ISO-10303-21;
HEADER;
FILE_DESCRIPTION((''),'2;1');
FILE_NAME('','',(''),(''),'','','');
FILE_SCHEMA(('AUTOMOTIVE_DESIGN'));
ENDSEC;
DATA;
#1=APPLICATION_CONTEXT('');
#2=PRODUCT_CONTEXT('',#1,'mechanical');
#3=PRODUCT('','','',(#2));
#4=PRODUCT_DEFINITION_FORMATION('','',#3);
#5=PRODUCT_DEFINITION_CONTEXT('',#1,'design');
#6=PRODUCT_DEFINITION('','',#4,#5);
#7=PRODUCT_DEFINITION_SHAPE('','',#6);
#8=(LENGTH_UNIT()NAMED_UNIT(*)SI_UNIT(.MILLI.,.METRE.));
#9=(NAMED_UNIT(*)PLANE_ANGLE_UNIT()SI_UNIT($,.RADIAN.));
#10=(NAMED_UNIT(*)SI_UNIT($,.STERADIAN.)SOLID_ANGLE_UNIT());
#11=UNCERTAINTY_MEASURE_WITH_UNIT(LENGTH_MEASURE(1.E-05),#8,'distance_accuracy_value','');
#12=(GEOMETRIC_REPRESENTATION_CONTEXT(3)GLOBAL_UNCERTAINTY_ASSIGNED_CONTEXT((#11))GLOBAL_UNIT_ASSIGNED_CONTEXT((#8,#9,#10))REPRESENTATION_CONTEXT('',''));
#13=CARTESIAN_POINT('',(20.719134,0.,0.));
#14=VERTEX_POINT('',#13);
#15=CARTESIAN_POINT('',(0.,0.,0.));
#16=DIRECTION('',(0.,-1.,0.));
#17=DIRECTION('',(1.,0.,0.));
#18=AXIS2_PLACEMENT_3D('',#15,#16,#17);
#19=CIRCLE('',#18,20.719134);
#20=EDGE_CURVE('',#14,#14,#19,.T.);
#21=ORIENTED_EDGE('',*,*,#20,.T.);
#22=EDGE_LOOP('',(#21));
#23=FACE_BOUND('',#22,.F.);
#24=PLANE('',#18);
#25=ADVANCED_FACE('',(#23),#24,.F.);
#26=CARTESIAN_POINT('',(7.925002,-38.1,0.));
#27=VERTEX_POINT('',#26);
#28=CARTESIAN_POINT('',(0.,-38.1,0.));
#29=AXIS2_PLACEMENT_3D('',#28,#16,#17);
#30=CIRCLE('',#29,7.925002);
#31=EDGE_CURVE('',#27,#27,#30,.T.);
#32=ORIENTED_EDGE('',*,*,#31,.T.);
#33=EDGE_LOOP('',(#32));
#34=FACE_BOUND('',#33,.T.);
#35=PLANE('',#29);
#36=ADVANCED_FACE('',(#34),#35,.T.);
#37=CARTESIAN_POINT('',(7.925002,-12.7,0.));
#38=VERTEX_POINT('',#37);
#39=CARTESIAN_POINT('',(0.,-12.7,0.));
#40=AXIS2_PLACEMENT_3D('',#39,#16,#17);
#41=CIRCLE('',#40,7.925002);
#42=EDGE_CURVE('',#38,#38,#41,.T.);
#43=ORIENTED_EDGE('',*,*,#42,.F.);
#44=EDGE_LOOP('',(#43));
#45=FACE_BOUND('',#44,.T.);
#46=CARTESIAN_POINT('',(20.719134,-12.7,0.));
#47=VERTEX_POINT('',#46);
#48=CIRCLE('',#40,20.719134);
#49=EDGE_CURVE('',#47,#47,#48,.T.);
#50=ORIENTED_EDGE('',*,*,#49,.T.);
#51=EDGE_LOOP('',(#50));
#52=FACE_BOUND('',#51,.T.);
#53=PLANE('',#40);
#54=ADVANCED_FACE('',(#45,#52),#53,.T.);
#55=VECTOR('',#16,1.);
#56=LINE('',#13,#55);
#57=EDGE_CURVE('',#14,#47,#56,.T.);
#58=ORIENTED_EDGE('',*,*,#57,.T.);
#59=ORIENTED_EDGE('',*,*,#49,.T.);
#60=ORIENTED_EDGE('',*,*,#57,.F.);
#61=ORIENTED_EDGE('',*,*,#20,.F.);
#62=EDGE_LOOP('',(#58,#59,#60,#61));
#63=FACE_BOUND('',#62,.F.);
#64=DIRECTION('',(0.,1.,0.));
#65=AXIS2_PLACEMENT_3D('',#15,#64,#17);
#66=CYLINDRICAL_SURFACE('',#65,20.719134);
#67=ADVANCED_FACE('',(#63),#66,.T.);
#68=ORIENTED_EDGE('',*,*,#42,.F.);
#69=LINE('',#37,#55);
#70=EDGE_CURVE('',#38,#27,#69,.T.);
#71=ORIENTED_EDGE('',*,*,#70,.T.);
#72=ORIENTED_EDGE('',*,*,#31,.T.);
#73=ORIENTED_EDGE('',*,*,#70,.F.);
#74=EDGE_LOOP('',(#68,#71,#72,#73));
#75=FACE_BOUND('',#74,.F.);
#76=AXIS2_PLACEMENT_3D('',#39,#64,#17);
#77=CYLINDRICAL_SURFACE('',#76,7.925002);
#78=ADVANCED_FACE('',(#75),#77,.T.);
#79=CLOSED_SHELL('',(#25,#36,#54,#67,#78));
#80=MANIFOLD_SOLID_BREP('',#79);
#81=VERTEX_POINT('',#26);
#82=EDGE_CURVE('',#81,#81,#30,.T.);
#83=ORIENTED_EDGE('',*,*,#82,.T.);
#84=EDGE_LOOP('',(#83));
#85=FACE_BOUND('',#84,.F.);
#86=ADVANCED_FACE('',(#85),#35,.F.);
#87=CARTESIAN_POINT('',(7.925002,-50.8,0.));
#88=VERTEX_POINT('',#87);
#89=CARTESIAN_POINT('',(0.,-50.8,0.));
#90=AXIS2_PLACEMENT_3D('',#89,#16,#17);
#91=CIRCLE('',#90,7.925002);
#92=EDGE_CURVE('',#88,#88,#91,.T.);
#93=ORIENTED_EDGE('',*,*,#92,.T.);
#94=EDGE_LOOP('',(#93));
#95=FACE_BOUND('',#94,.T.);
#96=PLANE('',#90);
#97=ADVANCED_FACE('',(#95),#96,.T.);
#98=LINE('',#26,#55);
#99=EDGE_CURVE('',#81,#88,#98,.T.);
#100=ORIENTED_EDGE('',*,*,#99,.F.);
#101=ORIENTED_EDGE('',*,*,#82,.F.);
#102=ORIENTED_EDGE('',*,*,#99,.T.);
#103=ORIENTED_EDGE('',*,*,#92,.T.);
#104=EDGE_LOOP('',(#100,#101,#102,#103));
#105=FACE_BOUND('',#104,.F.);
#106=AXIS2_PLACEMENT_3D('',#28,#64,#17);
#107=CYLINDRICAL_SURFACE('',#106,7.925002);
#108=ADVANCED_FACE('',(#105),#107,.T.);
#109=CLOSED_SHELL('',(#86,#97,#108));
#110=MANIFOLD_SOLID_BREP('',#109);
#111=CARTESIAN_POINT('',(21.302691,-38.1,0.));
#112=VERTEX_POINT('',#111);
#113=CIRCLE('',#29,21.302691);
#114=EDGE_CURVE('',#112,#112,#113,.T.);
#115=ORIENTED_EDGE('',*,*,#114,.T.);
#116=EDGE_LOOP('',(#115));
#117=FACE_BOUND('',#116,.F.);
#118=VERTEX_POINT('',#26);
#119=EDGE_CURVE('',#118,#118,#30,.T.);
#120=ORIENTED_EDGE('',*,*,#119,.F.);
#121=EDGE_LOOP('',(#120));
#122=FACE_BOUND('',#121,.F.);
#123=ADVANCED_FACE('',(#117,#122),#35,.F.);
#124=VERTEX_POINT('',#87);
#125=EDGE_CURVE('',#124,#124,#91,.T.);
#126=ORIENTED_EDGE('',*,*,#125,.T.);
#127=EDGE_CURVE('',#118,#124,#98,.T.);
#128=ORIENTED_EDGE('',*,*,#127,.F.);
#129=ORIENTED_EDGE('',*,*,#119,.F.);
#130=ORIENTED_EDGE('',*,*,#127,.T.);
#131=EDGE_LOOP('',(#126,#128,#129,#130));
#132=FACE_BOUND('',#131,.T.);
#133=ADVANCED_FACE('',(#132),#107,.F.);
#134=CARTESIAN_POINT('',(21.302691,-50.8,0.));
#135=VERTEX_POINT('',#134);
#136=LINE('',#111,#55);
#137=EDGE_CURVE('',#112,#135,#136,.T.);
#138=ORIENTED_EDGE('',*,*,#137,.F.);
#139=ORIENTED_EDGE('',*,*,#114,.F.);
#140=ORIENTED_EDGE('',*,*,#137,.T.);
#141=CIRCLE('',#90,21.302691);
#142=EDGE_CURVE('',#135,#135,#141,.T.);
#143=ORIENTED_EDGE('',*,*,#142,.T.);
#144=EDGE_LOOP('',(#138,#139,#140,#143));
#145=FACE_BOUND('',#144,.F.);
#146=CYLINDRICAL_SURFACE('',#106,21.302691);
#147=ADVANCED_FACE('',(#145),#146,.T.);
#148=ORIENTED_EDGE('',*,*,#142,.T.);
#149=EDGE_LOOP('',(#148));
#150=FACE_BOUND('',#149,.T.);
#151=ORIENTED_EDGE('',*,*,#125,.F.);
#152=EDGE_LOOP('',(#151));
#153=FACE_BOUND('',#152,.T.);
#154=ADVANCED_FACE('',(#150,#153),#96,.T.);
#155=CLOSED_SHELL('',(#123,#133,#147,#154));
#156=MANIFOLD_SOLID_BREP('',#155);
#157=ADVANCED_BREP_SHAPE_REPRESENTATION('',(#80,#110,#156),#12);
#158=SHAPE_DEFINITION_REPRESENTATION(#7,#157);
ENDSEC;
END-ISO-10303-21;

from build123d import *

# Parameters (mm, degrees)
F0_R      = 20.719134
F1_DEPTH  = 12.7
F2_R      = 7.925002
F3_DEPTH  = 25.4
F4_R      = 21.302691
F4_R_2    = 7.925002
F5_DEPTH  = 12.7
F3_FACE_R = 7.925002
F6_DEPTH  = 12.7


with BuildPart() as f1:
    # F0 (on Front) → F1 (new body)
    with BuildSketch(Plane.XZ):
        Circle(F0_R)
    extrude(amount=F1_DEPTH)

    # F2 (on face) → F3 (join)
    with BuildSketch(Plane.XZ.offset(12.7)):
        Circle(F2_R)
    extrude(amount=F3_DEPTH)


with BuildPart() as f5:
    # F4 (on face) → F5 (new body)
    with BuildSketch(Plane.XZ.offset(38.1)):
        Circle(F4_R)
        Circle(F4_R_2, mode=Mode.SUBTRACT)
    extrude(amount=F5_DEPTH)


with BuildPart() as f6:
    # F3_face (on face) → F6 (new body)
    with BuildSketch(Plane.XZ.offset(38.1)):
        Circle(F3_FACE_R)
    extrude(amount=F6_DEPTH)


solid = Compound([f1.part, f5.part, f6.part])
